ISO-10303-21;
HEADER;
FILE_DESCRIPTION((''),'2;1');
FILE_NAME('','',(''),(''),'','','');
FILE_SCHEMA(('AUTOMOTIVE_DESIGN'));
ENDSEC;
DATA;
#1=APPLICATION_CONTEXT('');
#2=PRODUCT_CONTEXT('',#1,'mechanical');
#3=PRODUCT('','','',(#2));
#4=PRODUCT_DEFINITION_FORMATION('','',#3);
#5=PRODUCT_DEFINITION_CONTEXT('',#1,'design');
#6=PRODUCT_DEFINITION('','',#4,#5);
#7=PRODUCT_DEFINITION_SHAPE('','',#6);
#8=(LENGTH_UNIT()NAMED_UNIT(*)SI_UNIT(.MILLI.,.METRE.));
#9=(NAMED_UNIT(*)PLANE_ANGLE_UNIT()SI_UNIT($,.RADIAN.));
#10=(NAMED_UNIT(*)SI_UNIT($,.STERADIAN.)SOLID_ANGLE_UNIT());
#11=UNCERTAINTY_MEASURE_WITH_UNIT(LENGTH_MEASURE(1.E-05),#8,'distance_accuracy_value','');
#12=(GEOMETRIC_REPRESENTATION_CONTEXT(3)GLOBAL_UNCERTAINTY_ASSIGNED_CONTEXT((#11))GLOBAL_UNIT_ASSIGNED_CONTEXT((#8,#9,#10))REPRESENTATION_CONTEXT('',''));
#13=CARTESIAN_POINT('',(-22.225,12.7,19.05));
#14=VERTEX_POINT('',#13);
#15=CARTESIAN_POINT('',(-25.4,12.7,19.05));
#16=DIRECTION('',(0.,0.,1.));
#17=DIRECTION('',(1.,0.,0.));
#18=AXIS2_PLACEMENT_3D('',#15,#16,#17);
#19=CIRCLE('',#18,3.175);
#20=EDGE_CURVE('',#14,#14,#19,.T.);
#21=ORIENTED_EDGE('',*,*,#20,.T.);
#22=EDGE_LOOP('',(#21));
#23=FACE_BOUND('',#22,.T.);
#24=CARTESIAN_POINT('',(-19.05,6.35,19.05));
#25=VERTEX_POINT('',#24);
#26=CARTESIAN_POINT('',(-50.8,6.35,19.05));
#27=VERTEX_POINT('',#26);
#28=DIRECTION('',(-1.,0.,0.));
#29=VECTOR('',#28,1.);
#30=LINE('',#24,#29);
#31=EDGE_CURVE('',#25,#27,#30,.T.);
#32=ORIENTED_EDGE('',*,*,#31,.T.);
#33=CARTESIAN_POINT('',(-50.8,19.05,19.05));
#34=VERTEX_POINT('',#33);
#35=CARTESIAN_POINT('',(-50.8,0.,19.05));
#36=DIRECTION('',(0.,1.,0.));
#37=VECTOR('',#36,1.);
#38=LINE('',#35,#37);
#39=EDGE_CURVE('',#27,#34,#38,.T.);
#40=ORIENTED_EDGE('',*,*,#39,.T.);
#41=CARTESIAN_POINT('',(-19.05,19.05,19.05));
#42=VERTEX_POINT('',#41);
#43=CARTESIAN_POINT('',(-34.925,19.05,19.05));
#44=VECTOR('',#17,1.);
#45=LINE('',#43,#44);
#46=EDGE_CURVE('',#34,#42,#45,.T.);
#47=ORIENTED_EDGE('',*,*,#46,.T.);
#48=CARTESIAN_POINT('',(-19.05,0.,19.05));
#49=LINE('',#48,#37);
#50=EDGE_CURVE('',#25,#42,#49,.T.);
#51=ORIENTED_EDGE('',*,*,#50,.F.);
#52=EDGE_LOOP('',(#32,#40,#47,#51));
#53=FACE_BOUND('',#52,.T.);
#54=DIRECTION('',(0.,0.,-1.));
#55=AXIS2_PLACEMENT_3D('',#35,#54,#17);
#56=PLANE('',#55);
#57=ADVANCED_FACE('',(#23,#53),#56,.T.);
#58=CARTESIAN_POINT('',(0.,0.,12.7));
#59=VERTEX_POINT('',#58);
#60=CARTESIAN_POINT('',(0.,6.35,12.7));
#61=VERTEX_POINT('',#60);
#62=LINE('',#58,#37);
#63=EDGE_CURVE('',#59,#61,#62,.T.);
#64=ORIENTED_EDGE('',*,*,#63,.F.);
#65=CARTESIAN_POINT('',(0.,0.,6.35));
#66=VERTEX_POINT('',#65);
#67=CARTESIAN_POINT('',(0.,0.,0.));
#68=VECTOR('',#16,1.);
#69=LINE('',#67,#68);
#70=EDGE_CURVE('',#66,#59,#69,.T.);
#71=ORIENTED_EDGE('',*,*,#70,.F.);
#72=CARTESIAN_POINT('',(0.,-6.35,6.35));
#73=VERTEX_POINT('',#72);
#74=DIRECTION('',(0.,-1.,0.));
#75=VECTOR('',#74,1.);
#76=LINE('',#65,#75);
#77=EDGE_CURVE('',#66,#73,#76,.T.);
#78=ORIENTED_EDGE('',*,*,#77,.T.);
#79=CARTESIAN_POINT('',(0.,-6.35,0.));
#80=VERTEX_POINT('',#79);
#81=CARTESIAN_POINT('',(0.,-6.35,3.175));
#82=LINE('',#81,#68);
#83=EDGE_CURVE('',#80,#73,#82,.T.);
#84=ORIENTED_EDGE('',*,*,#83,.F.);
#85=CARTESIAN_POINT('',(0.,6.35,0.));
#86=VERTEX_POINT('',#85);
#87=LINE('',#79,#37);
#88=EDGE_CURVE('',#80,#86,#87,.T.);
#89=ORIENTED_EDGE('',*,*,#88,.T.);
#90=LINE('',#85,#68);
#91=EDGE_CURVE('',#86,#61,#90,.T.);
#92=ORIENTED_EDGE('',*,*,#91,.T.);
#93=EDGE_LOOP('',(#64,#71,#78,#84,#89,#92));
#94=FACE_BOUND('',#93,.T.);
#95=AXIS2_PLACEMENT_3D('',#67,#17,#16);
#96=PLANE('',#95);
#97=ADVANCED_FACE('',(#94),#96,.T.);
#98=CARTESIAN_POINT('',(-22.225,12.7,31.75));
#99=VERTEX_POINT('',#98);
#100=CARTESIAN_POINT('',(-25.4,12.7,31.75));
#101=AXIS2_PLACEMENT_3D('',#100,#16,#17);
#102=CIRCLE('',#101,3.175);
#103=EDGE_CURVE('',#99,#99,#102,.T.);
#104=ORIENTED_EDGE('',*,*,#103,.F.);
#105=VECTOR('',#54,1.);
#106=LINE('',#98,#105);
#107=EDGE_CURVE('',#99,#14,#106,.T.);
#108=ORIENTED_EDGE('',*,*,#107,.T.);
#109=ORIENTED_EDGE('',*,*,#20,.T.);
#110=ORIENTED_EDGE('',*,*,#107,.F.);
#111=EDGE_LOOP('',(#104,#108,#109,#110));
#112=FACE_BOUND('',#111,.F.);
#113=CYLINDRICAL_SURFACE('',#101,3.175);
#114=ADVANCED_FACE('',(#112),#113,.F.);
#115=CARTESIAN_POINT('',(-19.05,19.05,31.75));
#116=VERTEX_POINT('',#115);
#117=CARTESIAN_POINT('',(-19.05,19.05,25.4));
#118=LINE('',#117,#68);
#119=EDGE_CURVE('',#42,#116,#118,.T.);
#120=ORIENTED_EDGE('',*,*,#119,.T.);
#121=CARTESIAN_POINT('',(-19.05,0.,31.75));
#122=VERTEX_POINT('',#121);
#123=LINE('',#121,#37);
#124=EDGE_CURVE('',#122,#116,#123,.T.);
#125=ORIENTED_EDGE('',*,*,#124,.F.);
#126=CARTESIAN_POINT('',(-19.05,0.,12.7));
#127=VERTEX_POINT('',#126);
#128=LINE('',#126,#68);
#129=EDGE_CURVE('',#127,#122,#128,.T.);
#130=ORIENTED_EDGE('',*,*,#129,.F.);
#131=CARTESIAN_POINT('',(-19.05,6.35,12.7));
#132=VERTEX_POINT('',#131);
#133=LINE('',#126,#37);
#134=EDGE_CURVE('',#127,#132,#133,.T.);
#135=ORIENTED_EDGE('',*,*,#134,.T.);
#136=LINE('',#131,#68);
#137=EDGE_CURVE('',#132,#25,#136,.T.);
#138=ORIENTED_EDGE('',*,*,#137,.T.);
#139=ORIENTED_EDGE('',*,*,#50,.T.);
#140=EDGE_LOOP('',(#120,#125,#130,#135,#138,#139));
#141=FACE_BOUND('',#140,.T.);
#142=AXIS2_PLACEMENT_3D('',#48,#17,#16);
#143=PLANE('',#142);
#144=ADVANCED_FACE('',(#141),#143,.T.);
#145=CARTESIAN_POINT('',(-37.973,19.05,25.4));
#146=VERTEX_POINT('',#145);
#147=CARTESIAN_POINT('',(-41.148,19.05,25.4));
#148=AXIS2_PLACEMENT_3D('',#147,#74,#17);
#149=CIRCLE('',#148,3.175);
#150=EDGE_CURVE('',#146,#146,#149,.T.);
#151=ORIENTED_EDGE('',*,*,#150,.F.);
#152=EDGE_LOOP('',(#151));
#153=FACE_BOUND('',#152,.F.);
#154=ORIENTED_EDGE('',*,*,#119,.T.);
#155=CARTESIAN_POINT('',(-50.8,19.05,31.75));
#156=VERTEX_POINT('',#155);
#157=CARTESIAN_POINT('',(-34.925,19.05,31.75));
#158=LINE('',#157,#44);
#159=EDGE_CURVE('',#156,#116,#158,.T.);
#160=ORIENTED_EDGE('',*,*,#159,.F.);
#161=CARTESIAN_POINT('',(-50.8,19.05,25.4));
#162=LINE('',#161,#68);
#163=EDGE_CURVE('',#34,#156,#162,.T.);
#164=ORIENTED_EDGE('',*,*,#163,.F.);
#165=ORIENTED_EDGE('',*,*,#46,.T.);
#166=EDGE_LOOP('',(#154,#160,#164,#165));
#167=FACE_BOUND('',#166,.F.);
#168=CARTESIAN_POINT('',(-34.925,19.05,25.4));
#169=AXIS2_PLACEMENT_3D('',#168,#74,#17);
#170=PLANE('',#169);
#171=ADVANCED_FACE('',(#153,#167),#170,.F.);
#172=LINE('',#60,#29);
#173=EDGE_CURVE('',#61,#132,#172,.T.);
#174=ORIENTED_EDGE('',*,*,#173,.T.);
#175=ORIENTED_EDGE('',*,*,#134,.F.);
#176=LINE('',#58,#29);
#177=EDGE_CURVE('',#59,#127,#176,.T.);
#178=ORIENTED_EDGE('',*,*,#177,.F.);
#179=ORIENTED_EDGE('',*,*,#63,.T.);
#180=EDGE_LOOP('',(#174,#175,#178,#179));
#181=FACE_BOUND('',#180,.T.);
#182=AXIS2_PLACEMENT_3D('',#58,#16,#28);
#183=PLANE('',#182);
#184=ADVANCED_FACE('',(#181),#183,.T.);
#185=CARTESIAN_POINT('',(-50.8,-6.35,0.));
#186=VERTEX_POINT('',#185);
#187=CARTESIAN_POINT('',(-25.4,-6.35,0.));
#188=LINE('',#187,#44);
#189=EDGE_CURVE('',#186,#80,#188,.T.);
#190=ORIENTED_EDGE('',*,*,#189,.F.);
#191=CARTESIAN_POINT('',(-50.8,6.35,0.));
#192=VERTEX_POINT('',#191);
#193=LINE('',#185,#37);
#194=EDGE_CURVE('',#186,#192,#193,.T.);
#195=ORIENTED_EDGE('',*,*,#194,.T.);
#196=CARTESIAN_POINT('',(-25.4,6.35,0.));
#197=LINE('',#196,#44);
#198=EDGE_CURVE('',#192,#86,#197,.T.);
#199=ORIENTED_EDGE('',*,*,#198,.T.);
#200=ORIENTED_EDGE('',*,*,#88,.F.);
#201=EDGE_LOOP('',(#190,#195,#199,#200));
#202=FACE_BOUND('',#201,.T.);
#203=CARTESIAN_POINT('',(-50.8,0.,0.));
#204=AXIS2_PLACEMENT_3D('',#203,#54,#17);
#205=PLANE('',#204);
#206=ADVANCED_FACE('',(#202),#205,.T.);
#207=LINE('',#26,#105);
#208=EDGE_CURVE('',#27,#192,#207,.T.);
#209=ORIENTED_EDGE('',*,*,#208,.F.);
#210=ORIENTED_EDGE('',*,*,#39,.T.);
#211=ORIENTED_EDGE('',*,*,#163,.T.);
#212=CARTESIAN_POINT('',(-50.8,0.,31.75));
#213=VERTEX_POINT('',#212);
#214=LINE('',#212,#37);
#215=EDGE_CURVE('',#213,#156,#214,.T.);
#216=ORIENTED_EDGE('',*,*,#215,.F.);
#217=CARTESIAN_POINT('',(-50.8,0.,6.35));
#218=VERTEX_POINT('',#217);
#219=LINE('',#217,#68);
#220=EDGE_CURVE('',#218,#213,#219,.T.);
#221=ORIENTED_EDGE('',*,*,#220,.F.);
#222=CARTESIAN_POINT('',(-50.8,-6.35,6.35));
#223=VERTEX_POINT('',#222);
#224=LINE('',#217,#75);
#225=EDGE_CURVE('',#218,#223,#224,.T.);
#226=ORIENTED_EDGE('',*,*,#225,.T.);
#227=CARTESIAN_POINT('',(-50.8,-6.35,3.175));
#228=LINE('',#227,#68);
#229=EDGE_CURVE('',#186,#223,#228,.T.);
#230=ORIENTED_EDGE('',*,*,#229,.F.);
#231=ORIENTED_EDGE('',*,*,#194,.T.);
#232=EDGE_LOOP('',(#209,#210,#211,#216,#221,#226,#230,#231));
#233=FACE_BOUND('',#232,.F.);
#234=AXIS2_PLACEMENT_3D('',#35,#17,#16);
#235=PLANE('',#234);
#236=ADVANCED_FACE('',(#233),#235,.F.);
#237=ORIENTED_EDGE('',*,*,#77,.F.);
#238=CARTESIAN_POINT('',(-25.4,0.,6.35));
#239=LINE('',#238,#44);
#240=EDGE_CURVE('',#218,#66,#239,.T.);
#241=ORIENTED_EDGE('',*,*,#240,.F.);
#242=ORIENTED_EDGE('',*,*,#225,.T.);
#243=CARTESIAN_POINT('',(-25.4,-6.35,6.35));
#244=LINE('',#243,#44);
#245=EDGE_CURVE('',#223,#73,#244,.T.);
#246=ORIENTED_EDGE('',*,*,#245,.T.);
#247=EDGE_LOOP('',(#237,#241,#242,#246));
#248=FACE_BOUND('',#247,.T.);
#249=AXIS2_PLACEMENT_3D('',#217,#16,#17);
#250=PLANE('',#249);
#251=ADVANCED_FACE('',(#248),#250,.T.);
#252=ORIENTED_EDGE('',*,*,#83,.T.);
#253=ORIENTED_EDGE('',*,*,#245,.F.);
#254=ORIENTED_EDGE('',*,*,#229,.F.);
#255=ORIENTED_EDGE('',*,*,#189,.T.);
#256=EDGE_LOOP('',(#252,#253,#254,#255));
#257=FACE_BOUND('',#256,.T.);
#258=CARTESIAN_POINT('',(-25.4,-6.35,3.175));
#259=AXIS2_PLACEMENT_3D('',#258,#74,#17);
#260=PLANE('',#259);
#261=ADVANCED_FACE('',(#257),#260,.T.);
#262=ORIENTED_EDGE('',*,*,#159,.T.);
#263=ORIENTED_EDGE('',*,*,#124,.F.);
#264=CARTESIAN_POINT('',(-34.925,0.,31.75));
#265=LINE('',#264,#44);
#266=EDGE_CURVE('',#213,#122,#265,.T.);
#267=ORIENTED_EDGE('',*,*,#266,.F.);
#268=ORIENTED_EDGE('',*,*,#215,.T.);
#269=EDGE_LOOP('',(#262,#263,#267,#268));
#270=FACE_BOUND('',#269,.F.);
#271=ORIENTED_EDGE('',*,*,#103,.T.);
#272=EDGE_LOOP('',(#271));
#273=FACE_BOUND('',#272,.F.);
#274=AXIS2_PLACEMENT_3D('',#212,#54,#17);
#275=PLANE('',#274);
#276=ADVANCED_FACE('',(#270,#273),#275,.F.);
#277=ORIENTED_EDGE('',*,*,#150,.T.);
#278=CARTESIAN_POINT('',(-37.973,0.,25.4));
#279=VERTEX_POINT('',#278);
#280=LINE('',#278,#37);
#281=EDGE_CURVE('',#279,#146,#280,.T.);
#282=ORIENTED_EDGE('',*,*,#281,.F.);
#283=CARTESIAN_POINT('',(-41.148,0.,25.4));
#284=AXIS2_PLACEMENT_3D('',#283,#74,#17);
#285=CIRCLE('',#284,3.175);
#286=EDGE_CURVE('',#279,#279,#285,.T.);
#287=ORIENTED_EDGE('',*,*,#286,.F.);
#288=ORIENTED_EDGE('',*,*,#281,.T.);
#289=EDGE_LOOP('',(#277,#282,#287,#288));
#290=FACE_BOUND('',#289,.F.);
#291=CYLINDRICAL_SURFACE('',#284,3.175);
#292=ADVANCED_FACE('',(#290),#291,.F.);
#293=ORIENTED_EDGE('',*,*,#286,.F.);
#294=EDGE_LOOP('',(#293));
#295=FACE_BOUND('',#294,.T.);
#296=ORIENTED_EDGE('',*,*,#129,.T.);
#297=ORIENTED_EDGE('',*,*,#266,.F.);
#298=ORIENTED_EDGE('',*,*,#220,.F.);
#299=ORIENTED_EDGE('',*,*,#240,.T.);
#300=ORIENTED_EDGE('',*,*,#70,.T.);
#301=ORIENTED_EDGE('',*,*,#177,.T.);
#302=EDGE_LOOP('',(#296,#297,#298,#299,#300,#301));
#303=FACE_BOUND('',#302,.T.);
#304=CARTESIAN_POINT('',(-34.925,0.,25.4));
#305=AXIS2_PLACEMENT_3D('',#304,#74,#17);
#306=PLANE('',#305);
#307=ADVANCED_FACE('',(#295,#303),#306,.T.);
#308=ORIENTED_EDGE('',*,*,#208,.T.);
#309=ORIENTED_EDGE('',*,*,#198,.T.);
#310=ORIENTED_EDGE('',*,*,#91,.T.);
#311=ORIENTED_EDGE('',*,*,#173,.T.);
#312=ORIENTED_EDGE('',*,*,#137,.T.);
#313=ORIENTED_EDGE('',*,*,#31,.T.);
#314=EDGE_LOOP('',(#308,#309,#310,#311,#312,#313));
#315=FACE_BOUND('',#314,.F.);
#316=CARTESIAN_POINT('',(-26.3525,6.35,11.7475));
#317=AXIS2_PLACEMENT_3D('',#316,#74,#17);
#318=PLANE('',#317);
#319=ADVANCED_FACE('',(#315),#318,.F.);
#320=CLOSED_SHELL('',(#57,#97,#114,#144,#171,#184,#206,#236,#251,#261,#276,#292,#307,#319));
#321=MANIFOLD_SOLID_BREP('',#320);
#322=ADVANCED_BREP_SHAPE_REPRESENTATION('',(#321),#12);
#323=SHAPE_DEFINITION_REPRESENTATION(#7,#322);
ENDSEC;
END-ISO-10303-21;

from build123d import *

# Parameters (mm, degrees)
F0_W     = 50.8
F0_H     = 6.35
F1_DEPTH = 6.35
F2_DEPTH = 6.35
F0_W_2   = 31.75
F0_H_2   = 12.7
F0_R     = 3.175
F3_DEPTH = 19.05
F4_R     = 3.175
F5_DEPTH = 31.751


with BuildPart() as f1:
    # F0 (on Front) → F1 (new body)
    with BuildSketch(Plane.XZ):
        with Locations((-25.4, 3.175)):
            Rectangle(F0_W, F0_H)
    extrude(amount=F1_DEPTH)

    # F0 (on Front) → F2 (join)
    with BuildSketch(Plane.XZ):
        Polygon((-50.8, 6.35), (0, 6.35), (0, 12.7), (-19.05, 12.7), (-19.05, 19.05), (-50.8, 19.05), align=None)
        with Locations((-25.4, 3.175)):
            Rectangle(F0_W, F0_H)
    extrude(amount=-F2_DEPTH)

    # F0 (on Front) → F3 (join)
    with BuildSketch(Plane.XZ):
        with Locations((-34.925, 25.4)):
            Rectangle(F0_W_2, F0_H_2)
        with Locations((-41.148, 25.4)):
            Circle(F0_R, mode=Mode.SUBTRACT)
    extrude(amount=-F3_DEPTH)

    # F4 (on face) → F5 (cut, through all)
    with BuildSketch(Plane.XY.offset(31.75)):
        with Locations((-25.4, 12.7)):
            Circle(F4_R)
    extrude(amount=-F5_DEPTH, mode=Mode.SUBTRACT)


solid = f1.part
